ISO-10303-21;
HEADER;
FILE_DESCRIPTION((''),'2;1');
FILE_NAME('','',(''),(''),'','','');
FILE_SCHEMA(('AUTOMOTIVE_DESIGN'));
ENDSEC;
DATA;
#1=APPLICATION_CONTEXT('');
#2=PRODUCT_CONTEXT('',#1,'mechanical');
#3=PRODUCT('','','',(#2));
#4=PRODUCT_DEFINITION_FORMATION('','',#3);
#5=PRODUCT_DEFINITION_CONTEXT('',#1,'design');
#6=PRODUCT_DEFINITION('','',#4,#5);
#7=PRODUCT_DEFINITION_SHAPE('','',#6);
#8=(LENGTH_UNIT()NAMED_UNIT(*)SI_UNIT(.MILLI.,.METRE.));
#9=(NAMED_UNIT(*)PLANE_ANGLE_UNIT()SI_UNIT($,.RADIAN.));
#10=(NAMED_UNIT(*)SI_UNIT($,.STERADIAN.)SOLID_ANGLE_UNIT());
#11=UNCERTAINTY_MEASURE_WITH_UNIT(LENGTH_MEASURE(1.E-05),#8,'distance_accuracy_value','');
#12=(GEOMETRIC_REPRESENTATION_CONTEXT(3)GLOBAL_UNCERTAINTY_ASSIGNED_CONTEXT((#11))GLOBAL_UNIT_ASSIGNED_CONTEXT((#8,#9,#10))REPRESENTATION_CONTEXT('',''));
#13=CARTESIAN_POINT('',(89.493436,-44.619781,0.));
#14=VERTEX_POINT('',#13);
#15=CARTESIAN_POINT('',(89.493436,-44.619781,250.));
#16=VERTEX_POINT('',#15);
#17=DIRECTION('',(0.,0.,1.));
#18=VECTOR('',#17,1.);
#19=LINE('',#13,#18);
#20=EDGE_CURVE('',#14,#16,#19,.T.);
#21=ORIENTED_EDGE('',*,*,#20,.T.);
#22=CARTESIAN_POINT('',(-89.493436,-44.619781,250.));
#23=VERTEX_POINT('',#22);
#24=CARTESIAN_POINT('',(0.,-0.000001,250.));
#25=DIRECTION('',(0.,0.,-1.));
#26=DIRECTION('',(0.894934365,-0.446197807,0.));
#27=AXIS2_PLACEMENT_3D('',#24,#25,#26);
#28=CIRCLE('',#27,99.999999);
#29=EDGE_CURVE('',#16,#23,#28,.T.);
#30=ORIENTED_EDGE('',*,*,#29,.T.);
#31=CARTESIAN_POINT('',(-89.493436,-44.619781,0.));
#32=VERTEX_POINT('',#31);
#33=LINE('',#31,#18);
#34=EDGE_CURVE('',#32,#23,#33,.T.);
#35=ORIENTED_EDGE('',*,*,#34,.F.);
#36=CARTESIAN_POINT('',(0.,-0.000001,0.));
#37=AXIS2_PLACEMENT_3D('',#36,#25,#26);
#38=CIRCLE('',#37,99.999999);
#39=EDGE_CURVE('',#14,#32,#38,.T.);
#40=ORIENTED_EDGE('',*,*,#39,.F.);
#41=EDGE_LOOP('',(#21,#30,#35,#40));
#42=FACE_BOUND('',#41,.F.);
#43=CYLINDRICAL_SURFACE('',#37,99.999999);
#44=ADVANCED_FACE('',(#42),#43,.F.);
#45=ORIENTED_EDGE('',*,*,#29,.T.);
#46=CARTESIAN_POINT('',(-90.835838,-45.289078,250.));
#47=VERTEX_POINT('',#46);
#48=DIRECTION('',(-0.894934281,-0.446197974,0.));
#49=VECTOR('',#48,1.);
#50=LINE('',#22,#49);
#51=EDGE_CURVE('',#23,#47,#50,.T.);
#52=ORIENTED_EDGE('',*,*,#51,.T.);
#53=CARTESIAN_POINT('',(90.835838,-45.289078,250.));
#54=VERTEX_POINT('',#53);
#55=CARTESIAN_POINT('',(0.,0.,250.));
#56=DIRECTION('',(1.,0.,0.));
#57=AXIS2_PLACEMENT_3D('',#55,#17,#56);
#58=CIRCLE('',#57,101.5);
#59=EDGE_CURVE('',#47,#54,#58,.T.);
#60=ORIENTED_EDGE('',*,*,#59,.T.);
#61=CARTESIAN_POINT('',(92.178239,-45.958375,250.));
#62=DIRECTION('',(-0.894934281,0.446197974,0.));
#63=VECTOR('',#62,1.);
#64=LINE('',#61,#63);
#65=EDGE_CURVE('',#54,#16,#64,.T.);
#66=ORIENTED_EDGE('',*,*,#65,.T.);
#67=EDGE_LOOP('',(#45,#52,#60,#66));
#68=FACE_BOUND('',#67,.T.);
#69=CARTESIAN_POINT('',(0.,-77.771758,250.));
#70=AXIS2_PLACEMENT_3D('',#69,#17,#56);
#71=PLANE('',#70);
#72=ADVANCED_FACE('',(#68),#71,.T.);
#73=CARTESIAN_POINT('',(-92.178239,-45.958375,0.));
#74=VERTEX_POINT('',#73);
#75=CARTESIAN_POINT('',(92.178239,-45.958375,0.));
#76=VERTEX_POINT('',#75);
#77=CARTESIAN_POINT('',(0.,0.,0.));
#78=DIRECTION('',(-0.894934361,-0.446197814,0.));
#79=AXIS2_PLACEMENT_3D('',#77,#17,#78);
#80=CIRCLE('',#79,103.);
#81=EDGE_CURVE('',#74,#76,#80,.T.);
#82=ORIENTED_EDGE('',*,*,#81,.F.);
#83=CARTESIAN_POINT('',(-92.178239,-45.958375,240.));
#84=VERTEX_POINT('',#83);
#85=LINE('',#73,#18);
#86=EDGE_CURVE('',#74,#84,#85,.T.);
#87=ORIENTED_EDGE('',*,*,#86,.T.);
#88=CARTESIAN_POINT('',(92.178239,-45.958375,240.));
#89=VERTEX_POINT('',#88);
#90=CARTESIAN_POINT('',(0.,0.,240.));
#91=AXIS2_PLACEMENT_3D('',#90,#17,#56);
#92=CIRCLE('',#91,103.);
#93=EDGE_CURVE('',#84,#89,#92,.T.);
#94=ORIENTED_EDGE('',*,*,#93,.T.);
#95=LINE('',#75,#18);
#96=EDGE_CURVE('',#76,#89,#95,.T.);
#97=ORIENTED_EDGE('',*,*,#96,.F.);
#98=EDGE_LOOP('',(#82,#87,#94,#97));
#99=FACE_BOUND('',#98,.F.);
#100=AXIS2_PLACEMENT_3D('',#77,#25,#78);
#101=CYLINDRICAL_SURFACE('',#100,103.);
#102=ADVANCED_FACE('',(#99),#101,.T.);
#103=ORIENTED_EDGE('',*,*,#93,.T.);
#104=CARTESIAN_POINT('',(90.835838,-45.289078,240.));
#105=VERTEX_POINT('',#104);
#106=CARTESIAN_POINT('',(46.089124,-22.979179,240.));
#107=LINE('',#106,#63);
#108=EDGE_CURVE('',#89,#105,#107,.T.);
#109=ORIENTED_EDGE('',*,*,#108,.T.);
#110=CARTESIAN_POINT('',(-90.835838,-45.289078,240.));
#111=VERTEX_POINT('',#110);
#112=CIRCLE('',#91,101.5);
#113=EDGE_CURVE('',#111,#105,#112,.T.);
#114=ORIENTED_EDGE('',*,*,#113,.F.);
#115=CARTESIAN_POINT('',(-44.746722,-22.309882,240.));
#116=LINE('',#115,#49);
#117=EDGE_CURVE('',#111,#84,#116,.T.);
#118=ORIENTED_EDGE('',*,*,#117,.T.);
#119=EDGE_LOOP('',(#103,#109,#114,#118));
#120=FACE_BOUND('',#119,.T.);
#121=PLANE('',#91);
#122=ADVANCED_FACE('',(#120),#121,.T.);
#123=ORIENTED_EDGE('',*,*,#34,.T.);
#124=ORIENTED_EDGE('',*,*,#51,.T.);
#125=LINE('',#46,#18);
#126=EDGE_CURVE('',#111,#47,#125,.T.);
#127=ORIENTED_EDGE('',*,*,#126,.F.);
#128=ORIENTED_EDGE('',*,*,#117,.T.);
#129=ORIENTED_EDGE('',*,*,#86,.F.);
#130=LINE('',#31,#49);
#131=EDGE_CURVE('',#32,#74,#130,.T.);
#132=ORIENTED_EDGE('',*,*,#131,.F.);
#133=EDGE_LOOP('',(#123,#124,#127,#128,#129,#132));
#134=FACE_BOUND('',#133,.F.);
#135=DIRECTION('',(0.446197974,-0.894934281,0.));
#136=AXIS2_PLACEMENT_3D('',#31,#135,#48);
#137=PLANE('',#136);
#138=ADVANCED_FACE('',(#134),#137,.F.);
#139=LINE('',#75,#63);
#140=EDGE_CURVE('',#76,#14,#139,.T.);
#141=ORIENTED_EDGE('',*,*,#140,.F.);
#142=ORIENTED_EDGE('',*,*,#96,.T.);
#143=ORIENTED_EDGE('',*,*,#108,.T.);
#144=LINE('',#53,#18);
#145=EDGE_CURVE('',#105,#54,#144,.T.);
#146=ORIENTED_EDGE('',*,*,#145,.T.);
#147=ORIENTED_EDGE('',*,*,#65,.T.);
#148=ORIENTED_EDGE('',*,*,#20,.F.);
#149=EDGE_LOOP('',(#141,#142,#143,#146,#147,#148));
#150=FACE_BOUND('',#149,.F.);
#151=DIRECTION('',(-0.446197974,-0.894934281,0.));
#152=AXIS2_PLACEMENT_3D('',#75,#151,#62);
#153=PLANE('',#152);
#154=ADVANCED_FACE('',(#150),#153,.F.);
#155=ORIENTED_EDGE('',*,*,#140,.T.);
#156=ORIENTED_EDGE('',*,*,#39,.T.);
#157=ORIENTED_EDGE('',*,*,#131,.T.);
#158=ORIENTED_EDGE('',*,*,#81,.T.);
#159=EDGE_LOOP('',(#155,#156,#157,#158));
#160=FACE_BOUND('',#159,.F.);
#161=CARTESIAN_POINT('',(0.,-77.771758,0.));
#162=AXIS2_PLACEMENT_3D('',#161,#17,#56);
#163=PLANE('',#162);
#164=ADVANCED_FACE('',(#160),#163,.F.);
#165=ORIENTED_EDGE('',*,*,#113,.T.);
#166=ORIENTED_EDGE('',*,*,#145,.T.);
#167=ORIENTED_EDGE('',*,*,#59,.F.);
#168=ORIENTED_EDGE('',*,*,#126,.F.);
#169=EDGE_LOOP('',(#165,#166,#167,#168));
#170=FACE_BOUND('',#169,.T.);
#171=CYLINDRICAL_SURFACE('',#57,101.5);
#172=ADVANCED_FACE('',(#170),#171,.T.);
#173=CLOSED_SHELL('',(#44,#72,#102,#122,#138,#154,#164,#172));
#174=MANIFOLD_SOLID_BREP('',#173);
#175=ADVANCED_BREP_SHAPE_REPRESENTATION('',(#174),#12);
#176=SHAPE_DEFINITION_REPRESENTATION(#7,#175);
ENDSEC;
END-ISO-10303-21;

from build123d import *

# Parameters (mm, degrees)
F1_DEPTH = 250
F2_R     = 103
F2_R_2   = 101.5
F3_DEPTH = 10


with BuildPart() as f1:
    # F0 (on Top) → F1 (new body)
    with BuildSketch(Plane.XY):
        with BuildLine():
            Line((-89.493436, -44.619781), (-92.178239, -45.958375))
            ThreePointArc((-92.178239, -45.958375), (0, -103), (92.178239, -45.958375))
            Line((92.178239, -45.958375), (89.493436, -44.619781))
            ThreePointArc((89.493436, -44.619781), (0, -100), (-89.493436, -44.619781))
        make_face()
    extrude(amount=F1_DEPTH)

    # F2 (on face) → F3 (cut)
    with BuildSketch(Plane.XY.offset(250)):
        Circle(F2_R)
        Circle(F2_R_2, mode=Mode.SUBTRACT)
    extrude(amount=-F3_DEPTH, mode=Mode.SUBTRACT)


solid = f1.part
